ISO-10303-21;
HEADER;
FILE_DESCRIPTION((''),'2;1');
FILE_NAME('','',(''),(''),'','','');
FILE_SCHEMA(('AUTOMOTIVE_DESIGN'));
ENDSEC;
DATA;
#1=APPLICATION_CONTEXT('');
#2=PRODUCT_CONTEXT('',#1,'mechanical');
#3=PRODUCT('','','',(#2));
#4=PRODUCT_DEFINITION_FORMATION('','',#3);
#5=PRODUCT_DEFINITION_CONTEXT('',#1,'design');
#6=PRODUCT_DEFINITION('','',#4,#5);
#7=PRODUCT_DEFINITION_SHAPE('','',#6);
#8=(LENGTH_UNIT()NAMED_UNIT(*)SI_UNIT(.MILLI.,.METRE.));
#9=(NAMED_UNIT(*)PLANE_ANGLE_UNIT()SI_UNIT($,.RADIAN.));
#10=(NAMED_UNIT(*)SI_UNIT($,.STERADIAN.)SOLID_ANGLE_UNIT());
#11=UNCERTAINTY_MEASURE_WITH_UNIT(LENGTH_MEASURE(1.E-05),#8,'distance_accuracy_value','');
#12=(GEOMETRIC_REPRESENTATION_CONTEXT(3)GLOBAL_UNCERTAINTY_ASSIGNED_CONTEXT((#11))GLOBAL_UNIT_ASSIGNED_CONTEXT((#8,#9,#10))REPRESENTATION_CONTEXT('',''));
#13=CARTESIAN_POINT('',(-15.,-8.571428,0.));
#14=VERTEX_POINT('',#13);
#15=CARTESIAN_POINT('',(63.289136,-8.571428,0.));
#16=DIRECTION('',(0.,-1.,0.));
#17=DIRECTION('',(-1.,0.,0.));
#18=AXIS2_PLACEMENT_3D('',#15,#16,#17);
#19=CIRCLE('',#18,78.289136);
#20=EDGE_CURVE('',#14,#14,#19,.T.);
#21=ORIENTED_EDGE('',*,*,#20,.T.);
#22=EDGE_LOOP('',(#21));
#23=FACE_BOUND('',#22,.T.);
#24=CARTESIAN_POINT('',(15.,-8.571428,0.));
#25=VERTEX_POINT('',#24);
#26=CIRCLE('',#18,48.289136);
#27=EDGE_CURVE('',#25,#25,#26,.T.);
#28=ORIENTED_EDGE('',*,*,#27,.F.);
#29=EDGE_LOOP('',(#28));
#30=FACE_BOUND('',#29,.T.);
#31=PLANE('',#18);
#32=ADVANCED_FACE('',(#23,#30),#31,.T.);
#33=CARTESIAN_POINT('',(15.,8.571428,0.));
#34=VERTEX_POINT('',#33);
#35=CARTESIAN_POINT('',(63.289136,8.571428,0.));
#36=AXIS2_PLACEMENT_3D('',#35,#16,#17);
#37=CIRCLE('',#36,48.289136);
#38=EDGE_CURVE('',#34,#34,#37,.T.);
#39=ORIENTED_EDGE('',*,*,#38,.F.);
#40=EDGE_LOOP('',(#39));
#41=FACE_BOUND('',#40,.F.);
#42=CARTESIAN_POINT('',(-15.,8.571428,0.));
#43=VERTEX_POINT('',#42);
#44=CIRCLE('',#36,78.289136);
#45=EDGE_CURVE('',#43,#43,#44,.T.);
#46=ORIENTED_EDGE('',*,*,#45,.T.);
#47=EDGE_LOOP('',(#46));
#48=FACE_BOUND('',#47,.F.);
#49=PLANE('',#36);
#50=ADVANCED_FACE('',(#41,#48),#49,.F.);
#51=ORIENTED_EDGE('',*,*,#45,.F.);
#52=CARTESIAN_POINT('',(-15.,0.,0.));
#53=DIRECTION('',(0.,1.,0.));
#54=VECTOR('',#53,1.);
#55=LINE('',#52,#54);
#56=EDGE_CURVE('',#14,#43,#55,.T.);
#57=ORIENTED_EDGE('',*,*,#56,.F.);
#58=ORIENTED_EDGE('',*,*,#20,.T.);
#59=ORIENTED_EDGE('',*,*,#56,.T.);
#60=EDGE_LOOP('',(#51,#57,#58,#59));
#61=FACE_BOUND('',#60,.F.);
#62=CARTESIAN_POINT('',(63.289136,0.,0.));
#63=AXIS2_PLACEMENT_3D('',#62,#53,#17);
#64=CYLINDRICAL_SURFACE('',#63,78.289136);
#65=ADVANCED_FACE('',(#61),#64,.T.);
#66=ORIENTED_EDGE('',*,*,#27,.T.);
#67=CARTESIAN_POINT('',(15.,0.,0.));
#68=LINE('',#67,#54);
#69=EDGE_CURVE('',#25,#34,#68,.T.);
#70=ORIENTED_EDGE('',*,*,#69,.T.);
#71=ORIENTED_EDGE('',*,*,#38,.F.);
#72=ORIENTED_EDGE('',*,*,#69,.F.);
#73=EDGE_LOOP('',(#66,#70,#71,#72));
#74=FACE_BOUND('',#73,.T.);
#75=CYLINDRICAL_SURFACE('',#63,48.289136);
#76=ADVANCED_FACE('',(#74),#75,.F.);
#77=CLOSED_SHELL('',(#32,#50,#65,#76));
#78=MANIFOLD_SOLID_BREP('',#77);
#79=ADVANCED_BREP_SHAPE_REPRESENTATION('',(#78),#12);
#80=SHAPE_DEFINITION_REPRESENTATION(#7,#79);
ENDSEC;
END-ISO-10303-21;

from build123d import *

# Parameters (mm, degrees)
F0_W = 30
F0_H = 17.142856


with BuildPart() as f2:
    # F0 (on Top) → F2 (revolve)
    with BuildSketch(Plane.XY):
        Rectangle(F0_W, F0_H)
    revolve(axis=Axis((63.289136, 1.273051, 0), (0, -1, 0)))


solid = f2.part
